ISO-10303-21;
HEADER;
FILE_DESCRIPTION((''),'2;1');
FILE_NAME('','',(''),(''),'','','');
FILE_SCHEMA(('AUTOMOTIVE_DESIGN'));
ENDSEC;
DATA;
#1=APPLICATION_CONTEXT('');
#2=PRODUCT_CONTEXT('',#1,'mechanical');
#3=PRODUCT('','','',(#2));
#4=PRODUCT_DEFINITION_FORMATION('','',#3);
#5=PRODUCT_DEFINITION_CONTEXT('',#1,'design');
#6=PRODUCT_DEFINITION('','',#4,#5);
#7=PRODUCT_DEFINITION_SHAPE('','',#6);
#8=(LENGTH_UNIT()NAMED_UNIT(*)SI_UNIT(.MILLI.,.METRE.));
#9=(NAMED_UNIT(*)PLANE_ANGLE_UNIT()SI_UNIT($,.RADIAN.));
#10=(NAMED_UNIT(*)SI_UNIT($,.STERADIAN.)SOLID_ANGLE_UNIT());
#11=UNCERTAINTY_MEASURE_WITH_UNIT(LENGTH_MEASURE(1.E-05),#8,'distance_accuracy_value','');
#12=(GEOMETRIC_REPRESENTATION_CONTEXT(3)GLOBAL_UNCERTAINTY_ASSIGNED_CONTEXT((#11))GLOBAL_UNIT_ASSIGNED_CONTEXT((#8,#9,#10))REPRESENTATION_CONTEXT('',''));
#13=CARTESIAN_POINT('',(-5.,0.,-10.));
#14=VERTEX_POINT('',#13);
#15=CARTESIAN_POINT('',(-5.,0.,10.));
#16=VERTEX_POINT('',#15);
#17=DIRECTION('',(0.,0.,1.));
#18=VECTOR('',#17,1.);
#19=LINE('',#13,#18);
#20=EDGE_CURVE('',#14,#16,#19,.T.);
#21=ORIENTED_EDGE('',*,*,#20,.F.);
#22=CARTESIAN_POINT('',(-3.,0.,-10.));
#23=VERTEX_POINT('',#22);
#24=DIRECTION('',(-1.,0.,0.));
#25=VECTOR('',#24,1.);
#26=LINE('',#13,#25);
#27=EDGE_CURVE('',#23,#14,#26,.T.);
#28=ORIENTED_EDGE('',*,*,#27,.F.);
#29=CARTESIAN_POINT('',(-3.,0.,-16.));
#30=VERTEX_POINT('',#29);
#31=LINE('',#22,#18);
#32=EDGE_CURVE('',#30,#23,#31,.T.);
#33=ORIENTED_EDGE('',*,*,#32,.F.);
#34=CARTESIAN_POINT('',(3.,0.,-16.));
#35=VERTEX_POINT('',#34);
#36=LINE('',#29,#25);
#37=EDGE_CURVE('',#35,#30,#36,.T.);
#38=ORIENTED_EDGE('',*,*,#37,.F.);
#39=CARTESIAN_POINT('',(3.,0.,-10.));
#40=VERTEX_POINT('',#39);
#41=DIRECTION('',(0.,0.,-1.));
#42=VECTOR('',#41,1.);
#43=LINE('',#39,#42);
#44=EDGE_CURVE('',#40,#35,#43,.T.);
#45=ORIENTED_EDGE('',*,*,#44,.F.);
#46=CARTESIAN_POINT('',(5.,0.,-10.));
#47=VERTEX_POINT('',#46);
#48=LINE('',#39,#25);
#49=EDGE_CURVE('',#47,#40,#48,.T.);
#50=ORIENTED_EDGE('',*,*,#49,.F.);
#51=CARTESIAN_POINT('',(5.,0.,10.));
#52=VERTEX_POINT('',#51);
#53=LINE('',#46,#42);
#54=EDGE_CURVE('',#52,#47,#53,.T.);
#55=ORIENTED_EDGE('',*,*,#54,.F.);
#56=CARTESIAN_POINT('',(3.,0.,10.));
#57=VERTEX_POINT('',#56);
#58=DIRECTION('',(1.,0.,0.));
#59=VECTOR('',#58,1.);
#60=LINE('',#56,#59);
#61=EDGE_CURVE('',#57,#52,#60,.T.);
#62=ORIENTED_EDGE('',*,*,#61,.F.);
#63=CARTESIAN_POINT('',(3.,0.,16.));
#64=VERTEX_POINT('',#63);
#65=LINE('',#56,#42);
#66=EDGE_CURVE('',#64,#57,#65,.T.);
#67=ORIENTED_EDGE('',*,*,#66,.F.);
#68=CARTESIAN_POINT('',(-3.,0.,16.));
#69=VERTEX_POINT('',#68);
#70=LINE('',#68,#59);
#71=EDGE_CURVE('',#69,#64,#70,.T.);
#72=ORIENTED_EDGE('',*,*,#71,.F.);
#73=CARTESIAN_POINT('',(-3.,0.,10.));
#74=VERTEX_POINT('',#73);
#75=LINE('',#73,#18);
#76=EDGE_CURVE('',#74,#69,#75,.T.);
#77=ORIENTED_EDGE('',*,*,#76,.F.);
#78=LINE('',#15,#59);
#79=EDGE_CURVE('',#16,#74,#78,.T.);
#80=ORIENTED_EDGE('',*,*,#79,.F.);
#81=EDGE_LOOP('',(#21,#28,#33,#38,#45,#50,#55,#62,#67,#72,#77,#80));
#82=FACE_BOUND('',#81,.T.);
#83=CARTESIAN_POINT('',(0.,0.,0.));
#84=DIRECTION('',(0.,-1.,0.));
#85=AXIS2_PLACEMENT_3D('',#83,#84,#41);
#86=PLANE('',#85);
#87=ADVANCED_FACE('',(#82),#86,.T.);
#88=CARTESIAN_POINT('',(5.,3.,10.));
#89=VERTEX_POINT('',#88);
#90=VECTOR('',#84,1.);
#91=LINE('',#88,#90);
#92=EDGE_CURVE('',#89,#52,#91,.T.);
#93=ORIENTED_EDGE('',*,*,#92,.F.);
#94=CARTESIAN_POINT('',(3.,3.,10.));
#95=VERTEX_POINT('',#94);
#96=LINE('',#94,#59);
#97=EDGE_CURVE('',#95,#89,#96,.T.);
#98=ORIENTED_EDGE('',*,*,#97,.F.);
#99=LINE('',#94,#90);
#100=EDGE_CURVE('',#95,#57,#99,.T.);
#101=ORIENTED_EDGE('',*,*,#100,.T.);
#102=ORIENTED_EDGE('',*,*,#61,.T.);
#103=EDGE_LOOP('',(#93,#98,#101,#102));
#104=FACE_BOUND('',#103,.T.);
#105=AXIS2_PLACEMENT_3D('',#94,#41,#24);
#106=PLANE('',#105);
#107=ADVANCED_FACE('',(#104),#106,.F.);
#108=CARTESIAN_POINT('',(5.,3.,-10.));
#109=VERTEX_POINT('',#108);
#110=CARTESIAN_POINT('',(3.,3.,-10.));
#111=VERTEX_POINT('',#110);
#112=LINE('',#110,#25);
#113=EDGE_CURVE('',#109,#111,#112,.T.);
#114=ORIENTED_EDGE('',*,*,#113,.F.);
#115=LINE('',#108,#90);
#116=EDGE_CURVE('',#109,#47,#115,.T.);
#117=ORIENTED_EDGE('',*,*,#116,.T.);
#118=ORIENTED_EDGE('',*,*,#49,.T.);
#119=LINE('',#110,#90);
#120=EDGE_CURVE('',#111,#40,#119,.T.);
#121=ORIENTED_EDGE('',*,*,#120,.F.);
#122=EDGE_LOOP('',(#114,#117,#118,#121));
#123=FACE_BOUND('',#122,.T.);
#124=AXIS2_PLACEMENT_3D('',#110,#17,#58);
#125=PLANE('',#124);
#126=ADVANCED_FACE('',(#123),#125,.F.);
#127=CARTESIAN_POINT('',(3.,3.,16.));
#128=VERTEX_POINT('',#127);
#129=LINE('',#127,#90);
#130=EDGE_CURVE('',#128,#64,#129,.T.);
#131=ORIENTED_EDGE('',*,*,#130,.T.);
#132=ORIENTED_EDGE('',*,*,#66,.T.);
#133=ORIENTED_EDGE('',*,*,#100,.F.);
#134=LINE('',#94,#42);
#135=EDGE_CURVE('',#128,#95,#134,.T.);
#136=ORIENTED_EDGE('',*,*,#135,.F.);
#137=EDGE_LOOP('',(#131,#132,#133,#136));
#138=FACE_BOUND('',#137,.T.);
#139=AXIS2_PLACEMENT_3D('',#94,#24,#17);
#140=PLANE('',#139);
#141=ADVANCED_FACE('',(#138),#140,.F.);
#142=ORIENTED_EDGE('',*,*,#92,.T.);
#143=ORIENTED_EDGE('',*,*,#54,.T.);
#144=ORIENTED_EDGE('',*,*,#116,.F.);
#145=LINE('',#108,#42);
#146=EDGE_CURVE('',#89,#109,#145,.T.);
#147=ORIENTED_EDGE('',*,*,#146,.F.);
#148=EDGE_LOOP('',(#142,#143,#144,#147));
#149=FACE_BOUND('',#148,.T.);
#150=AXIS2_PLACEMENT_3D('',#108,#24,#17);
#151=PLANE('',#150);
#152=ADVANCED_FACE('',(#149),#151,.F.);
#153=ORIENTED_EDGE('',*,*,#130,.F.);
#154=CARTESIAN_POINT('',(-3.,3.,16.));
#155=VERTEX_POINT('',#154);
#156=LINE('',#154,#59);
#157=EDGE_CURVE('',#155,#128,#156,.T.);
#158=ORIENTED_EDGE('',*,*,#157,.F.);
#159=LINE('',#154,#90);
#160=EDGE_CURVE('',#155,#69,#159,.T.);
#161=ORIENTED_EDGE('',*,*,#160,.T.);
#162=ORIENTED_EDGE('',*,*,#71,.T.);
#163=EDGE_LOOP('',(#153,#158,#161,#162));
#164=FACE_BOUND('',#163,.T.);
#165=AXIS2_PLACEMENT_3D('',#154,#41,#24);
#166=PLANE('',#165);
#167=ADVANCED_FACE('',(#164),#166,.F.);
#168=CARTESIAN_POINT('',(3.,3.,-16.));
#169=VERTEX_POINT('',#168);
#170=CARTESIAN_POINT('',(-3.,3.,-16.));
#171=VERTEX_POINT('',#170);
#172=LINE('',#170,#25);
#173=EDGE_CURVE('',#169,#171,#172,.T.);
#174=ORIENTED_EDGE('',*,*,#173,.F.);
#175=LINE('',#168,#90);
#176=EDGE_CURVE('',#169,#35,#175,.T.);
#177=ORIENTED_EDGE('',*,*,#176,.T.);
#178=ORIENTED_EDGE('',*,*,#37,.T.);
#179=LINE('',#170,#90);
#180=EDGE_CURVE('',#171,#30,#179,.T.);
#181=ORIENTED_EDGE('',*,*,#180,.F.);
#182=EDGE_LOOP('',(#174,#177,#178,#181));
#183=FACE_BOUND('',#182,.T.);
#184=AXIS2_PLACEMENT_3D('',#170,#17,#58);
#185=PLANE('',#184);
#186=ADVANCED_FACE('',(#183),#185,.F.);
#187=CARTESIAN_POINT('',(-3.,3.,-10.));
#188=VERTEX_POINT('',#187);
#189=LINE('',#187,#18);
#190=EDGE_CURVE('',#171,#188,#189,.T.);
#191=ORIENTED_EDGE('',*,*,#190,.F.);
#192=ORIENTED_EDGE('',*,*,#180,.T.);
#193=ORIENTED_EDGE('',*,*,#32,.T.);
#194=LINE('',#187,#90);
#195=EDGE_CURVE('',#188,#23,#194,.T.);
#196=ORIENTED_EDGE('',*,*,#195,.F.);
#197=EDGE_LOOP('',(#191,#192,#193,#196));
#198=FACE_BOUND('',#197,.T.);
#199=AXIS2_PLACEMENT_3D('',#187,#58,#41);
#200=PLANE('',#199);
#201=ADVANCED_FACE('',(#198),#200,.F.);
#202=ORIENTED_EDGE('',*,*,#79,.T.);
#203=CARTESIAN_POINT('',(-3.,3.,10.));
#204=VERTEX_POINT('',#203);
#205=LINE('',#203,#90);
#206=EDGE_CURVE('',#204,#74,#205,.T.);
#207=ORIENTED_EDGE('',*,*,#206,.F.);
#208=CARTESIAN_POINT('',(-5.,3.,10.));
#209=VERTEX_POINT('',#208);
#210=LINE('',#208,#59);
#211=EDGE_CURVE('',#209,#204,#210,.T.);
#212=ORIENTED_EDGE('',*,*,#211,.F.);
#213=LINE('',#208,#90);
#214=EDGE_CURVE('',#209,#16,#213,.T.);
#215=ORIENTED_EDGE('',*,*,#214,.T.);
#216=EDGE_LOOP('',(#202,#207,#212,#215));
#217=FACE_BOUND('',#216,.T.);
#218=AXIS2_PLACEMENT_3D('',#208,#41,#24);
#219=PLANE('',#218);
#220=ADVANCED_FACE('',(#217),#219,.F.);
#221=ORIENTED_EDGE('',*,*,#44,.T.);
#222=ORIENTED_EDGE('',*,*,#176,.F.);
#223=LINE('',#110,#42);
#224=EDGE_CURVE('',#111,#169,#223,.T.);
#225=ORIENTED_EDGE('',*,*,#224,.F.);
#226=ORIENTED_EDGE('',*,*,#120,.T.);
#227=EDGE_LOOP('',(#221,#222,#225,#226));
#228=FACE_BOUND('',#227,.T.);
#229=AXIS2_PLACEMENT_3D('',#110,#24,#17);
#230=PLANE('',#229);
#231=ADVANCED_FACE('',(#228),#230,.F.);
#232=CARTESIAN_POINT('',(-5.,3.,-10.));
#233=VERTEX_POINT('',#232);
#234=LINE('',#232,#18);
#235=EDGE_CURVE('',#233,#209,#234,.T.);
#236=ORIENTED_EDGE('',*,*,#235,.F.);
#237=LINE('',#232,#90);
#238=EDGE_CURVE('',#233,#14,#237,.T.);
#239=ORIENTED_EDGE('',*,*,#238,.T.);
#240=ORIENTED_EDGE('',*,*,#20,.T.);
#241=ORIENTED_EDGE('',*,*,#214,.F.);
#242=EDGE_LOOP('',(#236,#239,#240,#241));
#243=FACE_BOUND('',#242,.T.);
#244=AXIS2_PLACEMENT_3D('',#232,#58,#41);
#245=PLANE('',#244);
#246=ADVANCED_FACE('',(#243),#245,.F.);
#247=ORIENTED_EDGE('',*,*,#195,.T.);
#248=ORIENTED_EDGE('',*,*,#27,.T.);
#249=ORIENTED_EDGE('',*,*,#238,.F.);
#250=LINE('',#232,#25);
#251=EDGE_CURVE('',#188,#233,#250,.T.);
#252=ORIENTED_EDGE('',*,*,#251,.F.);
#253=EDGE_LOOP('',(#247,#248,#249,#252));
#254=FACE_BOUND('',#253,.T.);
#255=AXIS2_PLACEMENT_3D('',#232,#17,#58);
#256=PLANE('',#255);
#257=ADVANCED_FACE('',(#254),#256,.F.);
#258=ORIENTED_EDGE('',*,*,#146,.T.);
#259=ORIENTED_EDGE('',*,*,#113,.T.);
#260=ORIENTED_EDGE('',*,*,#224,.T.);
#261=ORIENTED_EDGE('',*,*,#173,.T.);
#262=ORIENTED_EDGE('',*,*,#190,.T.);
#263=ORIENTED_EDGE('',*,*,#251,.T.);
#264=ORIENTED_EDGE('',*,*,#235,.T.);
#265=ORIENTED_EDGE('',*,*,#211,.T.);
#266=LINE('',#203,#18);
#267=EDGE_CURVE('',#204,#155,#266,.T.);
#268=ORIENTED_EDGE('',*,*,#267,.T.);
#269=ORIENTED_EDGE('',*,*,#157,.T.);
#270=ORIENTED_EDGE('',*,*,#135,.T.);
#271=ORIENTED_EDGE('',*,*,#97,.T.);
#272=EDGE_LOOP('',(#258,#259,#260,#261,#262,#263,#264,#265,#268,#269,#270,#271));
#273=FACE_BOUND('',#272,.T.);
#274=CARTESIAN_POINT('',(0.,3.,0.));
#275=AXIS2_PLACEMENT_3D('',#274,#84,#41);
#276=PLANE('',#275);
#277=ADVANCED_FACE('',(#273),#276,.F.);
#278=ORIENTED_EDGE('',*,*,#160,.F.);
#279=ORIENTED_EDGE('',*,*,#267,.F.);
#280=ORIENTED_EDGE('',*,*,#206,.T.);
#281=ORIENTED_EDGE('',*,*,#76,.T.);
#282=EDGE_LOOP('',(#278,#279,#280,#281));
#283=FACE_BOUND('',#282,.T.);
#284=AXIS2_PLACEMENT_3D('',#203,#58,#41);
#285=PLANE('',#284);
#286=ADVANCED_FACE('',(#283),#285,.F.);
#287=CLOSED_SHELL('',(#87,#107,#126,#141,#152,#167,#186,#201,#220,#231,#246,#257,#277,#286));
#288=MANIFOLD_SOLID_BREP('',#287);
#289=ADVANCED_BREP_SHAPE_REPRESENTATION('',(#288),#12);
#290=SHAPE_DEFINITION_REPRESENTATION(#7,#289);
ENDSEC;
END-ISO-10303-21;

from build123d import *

# Parameters (mm, degrees)
BOSS_EXTRUDE1_DEPTH = 3


with BuildPart() as part:
    # Sketch1 → Boss-Extrude1 (new body)
    with BuildSketch(Plane(origin=(0, 0, 0), x_dir=(1, 0, 0), z_dir=(0, 1, 0))):
        Polygon((-5, 10), (-3, 10), (-3, 16), (3, 16), (3, 10), (5, 10), (5, -10), (3, -10), (3, -16), (-3, -16), (-3, -10), (-5, -10), align=None)
    extrude(amount=BOSS_EXTRUDE1_DEPTH)


solid = part.part
